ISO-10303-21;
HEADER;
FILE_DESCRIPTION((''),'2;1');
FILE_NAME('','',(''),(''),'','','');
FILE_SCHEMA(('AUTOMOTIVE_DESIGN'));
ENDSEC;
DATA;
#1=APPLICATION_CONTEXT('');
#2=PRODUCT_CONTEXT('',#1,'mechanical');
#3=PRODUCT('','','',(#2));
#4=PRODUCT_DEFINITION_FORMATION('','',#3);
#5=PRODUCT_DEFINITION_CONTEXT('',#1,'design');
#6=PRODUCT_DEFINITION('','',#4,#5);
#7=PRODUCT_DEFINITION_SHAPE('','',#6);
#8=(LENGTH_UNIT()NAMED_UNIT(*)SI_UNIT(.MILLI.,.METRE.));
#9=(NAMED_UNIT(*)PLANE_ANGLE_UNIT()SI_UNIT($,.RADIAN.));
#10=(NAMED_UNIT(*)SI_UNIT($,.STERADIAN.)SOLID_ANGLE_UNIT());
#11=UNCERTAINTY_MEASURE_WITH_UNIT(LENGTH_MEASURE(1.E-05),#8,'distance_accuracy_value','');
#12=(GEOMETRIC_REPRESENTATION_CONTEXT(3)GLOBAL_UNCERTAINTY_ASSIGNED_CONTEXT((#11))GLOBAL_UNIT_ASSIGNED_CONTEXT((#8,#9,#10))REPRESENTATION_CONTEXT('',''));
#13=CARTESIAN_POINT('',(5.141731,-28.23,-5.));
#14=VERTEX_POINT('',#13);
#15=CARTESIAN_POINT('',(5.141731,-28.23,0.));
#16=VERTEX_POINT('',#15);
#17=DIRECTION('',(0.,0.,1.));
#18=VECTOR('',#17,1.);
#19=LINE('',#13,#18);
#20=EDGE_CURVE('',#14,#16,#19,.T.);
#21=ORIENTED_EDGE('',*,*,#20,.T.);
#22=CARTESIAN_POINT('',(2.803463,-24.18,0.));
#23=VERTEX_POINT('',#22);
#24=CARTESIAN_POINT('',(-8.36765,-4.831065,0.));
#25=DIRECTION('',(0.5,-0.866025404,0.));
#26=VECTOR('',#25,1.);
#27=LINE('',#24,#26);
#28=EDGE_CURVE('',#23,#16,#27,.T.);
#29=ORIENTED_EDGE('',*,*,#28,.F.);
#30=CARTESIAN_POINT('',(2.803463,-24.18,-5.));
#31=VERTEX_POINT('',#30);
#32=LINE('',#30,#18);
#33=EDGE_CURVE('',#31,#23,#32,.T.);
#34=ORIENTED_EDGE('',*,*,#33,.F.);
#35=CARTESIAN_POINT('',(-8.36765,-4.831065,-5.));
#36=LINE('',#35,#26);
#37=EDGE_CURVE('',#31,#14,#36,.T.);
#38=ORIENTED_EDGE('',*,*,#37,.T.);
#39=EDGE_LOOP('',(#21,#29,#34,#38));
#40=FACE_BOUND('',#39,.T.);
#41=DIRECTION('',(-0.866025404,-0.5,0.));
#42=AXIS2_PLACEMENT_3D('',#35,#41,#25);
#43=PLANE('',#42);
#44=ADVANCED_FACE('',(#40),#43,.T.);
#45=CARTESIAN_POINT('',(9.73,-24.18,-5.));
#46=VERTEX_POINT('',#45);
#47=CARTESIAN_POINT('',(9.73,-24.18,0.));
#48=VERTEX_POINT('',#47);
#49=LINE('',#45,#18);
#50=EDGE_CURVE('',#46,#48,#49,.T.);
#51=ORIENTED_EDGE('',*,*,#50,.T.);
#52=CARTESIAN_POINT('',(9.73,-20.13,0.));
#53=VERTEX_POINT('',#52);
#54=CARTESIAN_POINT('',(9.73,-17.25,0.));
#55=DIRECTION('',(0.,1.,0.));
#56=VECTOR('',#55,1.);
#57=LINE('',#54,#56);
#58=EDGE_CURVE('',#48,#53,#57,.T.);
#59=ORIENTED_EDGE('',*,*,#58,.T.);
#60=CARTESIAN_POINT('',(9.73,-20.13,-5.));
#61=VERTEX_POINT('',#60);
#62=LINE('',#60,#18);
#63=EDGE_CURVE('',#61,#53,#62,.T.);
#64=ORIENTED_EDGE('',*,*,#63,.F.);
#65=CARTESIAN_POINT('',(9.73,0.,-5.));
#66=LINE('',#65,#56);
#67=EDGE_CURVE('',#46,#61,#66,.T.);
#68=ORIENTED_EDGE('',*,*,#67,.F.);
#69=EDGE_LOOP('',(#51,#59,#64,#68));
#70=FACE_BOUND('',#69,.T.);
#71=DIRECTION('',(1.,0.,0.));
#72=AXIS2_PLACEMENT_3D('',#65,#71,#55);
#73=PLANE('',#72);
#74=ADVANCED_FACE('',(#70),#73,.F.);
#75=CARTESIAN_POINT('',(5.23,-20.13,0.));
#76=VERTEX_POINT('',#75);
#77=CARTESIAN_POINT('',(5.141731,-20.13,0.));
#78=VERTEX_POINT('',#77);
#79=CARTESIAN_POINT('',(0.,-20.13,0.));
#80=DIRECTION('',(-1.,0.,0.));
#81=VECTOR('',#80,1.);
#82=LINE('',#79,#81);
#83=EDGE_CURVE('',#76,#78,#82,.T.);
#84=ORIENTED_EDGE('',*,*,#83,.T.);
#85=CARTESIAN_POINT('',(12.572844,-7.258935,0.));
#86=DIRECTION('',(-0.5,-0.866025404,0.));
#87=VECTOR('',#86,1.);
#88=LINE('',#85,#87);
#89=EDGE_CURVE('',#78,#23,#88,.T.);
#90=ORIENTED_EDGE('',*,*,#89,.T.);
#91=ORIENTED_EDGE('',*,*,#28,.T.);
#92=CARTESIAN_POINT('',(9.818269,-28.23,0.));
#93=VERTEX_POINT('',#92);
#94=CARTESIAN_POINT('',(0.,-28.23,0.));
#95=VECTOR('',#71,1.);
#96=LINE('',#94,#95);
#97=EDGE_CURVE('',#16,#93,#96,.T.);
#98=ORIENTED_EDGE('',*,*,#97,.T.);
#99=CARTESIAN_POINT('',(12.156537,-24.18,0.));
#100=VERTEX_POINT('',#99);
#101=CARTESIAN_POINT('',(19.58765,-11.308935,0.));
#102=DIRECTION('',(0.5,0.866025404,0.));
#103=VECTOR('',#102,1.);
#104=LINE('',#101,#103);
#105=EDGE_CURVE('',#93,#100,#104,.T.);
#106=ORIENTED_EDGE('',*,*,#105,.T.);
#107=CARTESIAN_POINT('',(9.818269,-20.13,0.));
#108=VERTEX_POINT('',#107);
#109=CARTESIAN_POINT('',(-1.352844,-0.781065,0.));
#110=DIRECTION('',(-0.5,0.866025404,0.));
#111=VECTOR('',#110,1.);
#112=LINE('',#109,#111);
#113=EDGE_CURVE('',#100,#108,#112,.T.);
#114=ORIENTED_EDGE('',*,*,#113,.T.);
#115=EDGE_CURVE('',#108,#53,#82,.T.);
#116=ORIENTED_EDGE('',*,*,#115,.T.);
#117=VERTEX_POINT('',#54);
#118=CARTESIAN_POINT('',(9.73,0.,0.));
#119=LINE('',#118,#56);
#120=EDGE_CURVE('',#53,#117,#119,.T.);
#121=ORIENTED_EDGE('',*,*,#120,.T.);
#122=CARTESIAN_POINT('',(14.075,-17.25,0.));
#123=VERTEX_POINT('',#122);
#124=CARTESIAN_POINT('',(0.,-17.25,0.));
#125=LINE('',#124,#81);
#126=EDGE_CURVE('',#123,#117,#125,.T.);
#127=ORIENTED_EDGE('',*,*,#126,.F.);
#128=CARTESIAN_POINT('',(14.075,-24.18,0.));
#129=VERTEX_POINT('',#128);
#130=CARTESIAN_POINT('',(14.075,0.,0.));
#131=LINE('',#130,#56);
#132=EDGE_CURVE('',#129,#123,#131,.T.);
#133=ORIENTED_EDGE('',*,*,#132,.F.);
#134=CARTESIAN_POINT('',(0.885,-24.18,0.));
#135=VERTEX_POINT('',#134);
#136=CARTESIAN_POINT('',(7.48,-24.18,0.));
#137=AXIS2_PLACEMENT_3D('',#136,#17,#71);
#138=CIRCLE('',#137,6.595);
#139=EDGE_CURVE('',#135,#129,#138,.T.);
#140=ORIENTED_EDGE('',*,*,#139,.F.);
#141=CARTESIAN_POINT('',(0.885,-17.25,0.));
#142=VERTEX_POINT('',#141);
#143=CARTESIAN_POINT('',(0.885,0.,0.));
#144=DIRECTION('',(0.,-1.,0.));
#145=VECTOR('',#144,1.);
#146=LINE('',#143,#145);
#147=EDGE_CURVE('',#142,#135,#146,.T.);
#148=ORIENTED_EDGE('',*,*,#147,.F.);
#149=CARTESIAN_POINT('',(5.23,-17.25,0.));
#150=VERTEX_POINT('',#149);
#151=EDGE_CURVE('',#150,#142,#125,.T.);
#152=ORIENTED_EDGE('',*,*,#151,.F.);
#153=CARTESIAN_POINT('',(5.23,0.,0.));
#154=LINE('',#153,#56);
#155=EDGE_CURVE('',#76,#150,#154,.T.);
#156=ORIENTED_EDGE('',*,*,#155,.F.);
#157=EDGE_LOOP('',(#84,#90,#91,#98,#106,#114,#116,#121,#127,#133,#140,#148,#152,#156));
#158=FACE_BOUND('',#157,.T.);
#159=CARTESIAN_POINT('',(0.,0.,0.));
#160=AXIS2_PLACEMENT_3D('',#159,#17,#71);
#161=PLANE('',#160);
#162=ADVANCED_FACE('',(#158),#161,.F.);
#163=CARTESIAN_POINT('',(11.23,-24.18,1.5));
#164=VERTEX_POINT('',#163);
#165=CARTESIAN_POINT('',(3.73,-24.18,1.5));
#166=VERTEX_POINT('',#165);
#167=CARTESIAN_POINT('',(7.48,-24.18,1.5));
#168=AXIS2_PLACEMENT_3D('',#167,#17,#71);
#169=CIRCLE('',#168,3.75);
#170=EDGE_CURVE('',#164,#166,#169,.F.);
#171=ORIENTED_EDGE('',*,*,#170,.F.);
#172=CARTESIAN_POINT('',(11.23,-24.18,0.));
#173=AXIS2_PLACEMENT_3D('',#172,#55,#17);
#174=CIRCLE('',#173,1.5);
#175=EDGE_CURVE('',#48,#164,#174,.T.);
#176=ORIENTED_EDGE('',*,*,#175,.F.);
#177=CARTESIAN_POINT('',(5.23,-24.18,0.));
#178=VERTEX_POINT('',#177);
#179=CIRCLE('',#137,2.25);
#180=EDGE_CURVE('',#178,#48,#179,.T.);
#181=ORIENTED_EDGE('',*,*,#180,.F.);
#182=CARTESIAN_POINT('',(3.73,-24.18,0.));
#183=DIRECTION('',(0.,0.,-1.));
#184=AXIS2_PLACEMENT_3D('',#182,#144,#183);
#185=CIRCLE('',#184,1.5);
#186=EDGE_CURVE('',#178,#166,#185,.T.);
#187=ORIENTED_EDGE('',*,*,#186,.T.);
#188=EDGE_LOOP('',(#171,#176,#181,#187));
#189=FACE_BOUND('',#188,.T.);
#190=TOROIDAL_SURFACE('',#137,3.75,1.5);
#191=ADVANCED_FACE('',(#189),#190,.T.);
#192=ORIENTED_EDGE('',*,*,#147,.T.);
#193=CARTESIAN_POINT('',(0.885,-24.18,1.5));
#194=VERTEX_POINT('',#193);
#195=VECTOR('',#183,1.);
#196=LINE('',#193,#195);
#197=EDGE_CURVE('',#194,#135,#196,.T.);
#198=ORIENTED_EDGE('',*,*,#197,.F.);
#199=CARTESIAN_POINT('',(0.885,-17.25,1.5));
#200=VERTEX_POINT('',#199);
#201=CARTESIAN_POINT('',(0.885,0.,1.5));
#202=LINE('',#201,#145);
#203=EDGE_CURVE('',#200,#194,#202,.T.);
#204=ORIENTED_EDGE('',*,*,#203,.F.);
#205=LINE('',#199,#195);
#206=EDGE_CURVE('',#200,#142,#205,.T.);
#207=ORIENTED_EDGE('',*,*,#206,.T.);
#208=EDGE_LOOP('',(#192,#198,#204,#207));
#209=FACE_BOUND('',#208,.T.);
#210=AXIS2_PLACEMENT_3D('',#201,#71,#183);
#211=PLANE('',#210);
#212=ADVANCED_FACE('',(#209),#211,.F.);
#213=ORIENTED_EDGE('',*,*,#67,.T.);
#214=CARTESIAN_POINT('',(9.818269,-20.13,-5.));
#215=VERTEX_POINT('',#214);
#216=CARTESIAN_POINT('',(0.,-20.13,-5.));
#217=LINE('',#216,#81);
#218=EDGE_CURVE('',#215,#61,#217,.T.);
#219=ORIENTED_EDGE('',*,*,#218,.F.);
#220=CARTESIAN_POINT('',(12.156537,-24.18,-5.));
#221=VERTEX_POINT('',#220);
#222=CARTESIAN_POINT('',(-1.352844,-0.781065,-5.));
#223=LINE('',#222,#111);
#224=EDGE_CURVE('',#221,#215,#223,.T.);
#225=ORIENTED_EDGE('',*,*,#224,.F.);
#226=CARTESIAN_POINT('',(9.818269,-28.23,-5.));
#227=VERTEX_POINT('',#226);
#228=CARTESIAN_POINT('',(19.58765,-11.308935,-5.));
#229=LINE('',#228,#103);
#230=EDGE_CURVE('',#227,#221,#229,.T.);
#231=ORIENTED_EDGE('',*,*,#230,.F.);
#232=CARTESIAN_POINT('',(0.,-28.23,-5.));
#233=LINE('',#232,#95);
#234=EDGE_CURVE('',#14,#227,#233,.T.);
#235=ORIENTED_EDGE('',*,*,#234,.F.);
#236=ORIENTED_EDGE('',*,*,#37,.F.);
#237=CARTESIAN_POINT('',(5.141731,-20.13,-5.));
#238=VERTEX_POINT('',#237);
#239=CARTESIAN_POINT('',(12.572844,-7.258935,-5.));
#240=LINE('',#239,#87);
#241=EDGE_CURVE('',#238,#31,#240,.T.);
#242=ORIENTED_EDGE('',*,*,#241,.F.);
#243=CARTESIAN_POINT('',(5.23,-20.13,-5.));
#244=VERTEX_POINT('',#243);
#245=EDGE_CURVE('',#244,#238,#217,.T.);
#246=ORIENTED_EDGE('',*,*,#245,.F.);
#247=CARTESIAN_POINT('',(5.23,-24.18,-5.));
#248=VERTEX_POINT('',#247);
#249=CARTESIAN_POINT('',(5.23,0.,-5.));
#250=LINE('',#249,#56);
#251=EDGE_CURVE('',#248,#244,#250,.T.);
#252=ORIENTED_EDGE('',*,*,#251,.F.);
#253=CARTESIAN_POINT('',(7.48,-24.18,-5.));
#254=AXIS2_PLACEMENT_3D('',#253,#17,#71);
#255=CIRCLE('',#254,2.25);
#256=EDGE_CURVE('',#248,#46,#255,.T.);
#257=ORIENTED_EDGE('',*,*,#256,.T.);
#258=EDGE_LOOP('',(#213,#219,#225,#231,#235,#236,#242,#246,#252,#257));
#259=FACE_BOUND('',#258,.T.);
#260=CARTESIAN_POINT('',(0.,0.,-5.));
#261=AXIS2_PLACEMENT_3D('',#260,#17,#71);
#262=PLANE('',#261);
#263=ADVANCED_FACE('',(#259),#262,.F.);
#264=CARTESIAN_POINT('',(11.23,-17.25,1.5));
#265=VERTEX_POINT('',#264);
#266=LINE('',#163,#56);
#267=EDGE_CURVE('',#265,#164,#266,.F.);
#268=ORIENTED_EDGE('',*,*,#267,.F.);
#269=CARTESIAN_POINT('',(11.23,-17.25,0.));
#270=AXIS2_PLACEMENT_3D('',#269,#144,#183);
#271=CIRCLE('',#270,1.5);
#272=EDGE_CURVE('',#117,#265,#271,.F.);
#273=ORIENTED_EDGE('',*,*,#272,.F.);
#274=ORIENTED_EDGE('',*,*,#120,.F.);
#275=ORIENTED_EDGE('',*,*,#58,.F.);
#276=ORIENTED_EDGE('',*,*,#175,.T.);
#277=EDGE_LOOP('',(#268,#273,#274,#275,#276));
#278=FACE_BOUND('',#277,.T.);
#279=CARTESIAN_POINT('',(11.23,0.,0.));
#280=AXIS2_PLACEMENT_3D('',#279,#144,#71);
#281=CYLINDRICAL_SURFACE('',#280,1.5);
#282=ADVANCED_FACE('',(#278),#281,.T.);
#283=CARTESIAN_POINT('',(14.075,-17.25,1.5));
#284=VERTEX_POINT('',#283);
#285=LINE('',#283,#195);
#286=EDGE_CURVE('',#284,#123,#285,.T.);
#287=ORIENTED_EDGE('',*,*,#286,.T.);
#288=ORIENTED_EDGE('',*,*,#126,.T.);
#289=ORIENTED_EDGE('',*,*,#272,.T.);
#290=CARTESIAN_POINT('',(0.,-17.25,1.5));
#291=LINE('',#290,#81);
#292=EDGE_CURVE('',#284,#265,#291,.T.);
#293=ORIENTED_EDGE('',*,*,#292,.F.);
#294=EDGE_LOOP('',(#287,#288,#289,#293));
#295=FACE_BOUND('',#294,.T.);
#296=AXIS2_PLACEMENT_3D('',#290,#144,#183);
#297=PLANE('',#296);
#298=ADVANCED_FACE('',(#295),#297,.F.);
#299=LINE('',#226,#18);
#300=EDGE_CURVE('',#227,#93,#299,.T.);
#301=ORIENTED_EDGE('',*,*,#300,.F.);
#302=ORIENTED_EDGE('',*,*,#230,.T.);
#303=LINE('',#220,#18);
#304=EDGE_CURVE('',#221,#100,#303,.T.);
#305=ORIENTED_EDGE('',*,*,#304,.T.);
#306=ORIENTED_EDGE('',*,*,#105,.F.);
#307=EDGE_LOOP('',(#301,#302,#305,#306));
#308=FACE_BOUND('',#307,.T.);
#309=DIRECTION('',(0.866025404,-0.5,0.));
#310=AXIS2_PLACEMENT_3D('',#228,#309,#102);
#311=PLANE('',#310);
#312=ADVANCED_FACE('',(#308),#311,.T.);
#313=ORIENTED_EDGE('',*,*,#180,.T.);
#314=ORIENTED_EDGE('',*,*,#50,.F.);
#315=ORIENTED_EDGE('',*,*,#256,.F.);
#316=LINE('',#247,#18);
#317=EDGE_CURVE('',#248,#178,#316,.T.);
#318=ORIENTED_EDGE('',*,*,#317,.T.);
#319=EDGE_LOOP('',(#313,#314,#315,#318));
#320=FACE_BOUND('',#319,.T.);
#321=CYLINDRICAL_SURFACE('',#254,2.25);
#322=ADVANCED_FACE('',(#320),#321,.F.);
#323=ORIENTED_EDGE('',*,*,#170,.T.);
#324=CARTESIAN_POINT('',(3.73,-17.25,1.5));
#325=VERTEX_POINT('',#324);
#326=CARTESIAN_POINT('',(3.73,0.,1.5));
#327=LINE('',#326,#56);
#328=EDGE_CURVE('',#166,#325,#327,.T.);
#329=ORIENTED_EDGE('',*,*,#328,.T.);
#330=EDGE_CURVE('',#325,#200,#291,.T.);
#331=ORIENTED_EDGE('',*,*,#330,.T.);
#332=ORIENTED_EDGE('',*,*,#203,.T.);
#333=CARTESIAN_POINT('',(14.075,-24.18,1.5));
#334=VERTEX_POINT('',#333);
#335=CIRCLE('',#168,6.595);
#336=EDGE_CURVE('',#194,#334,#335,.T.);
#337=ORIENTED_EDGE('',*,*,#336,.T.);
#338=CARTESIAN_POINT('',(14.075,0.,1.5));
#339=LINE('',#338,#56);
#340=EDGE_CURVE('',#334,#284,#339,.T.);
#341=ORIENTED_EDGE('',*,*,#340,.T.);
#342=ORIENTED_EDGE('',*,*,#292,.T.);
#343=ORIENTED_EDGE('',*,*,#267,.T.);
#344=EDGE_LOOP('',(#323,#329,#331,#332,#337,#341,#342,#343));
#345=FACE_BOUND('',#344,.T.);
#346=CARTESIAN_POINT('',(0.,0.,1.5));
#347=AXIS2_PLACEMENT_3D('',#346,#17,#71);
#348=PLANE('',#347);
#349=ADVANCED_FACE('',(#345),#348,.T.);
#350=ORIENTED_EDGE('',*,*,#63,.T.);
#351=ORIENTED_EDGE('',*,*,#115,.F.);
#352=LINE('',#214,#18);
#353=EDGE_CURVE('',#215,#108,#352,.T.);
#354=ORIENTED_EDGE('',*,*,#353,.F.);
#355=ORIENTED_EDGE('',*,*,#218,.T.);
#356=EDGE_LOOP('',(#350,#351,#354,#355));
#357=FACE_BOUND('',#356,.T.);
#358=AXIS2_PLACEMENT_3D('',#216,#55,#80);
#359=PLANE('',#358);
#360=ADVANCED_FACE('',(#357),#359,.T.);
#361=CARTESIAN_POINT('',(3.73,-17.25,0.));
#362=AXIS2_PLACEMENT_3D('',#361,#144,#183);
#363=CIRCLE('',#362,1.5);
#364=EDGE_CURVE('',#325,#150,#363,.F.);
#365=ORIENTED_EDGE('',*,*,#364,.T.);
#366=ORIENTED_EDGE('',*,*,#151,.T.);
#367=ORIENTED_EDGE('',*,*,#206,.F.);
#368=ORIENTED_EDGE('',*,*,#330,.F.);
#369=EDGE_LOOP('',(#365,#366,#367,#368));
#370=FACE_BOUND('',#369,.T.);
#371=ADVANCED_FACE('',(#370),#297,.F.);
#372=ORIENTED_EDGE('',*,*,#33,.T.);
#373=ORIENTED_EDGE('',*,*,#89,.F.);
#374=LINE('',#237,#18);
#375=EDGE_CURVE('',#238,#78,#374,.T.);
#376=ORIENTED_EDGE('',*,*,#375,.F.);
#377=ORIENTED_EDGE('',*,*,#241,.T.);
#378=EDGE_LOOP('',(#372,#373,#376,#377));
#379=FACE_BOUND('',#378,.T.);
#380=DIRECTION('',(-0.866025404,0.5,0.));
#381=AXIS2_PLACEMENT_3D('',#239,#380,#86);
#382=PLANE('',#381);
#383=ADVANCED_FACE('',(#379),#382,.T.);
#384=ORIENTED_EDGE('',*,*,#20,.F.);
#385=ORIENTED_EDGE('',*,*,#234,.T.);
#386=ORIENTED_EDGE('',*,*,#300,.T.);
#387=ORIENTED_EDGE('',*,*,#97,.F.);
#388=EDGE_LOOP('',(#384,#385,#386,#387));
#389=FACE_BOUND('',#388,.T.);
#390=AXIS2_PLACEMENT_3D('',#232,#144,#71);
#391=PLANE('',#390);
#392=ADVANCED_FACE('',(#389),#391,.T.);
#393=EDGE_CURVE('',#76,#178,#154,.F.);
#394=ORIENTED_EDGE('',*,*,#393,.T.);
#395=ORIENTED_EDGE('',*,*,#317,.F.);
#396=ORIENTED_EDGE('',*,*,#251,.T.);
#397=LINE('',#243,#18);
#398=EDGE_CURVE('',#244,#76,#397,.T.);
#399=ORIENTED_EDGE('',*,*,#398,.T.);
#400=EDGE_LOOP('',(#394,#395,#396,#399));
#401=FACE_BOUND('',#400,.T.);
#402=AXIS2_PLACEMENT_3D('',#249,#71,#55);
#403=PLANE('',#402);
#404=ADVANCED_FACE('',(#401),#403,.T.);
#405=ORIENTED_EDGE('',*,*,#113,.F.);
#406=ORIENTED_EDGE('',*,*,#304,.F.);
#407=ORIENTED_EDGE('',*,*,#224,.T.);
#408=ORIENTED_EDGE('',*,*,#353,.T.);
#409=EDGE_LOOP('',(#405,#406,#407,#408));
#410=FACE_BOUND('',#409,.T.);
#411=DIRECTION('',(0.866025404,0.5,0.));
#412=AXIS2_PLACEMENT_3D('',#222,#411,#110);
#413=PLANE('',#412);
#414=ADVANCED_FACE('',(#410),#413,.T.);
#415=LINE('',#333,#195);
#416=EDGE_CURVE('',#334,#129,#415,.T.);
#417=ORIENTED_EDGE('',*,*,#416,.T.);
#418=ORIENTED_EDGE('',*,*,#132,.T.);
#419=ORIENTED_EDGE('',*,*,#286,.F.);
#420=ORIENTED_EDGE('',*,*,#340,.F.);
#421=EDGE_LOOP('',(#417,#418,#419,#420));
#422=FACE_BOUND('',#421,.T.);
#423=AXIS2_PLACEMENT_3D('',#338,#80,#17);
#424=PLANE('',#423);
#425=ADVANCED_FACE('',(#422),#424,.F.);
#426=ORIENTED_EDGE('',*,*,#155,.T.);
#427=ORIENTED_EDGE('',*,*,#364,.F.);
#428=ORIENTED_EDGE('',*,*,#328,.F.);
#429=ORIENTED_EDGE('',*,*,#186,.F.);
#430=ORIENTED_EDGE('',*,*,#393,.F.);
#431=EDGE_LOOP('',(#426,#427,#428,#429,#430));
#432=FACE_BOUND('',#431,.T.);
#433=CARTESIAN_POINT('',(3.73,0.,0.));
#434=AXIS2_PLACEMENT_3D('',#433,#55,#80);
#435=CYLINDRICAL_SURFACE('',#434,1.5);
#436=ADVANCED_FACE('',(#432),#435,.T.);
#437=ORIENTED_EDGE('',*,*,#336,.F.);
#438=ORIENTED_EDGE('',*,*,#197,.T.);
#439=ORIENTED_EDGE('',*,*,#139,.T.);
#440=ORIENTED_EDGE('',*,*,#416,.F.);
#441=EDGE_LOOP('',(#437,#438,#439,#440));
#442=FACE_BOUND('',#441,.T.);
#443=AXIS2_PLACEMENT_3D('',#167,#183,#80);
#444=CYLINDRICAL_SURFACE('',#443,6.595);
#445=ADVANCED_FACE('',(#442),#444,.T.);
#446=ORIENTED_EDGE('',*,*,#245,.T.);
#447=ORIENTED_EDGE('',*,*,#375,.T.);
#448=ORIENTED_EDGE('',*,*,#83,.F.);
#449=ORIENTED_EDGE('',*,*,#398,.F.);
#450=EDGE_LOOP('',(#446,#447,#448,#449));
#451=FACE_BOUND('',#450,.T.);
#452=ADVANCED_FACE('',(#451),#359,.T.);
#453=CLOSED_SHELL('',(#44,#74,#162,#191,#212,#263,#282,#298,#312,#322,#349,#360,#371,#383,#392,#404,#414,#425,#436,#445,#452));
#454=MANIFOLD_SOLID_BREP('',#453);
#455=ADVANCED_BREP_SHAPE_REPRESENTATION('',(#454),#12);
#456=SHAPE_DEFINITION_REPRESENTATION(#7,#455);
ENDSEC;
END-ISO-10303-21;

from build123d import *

# Parameters (mm, degrees)
BOSS_EXTRUDE1_DEPTH = 5
BOSS_EXTRUDE2_START = 1.5
BOSS_EXTRUDE2_DEPTH = 1.5
FILLET1_R           = 1.5


with BuildPart() as part:
    # Sketch1 → Boss-Extrude1 (new body)
    with BuildSketch(Plane.XY):
        with BuildLine():
            Line((9.73, -20.13), (9.73, -24.18))
            ThreePointArc((9.73, -24.18), (7.48, -26.43), (5.23, -24.18))
            Line((5.23, -24.18), (5.23, -20.13))
            Line((5.23, -20.13), (5.14173141, -20.13))
            Line((5.14173141, -20.13), (2.80346282, -24.18))
            Line((2.80346282, -24.18), (5.14173141, -28.23))
            Line((5.14173141, -28.23), (9.81826859, -28.23))
            Line((9.81826859, -28.23), (12.15653718, -24.18))
            Line((12.15653718, -24.18), (9.81826859, -20.13))
            Line((9.81826859, -20.13), (9.73, -20.13))
        make_face()
    extrude(amount=-BOSS_EXTRUDE1_DEPTH)

    # Sketch2 → Boss-Extrude2 (add)
    with BuildSketch(Plane.XY.offset(BOSS_EXTRUDE2_START)):
        with BuildLine():
            Line((0.885, -17.25), (0.885, -19.25))
            Line((0.885, -19.25), (0.885, -24.18))
            ThreePointArc((0.885, -24.18), (7.48, -30.775), (14.075, -24.18))
            Line((14.075, -24.18), (14.075, -17.25))
            Line((14.075, -17.25), (10.575, -17.25))
            Line((10.575, -17.25), (9.73, -17.25))
            Line((9.73, -17.25), (9.73, -20.13))
            Line((9.73, -20.13), (9.73, -24.18))
            ThreePointArc((9.73, -24.18), (7.48, -26.43), (5.23, -24.18))
            Line((5.23, -24.18), (5.23, -20.13))
            Line((5.23, -20.13), (5.23, -17.25))
            Line((5.23, -17.25), (0.885, -17.25))
        make_face()
    extrude(amount=-BOSS_EXTRUDE2_DEPTH)

    # Fillet1
    fillet1_edges = [part.edges().sort_by_distance(p)[0] for p in [
        (9.73, -20.715, 1.5),
        (7.48, -26.43, 1.5),
        (5.23, -20.715, 1.5),
    ]]
    fillet(fillet1_edges, radius=FILLET1_R)


solid = part.part
